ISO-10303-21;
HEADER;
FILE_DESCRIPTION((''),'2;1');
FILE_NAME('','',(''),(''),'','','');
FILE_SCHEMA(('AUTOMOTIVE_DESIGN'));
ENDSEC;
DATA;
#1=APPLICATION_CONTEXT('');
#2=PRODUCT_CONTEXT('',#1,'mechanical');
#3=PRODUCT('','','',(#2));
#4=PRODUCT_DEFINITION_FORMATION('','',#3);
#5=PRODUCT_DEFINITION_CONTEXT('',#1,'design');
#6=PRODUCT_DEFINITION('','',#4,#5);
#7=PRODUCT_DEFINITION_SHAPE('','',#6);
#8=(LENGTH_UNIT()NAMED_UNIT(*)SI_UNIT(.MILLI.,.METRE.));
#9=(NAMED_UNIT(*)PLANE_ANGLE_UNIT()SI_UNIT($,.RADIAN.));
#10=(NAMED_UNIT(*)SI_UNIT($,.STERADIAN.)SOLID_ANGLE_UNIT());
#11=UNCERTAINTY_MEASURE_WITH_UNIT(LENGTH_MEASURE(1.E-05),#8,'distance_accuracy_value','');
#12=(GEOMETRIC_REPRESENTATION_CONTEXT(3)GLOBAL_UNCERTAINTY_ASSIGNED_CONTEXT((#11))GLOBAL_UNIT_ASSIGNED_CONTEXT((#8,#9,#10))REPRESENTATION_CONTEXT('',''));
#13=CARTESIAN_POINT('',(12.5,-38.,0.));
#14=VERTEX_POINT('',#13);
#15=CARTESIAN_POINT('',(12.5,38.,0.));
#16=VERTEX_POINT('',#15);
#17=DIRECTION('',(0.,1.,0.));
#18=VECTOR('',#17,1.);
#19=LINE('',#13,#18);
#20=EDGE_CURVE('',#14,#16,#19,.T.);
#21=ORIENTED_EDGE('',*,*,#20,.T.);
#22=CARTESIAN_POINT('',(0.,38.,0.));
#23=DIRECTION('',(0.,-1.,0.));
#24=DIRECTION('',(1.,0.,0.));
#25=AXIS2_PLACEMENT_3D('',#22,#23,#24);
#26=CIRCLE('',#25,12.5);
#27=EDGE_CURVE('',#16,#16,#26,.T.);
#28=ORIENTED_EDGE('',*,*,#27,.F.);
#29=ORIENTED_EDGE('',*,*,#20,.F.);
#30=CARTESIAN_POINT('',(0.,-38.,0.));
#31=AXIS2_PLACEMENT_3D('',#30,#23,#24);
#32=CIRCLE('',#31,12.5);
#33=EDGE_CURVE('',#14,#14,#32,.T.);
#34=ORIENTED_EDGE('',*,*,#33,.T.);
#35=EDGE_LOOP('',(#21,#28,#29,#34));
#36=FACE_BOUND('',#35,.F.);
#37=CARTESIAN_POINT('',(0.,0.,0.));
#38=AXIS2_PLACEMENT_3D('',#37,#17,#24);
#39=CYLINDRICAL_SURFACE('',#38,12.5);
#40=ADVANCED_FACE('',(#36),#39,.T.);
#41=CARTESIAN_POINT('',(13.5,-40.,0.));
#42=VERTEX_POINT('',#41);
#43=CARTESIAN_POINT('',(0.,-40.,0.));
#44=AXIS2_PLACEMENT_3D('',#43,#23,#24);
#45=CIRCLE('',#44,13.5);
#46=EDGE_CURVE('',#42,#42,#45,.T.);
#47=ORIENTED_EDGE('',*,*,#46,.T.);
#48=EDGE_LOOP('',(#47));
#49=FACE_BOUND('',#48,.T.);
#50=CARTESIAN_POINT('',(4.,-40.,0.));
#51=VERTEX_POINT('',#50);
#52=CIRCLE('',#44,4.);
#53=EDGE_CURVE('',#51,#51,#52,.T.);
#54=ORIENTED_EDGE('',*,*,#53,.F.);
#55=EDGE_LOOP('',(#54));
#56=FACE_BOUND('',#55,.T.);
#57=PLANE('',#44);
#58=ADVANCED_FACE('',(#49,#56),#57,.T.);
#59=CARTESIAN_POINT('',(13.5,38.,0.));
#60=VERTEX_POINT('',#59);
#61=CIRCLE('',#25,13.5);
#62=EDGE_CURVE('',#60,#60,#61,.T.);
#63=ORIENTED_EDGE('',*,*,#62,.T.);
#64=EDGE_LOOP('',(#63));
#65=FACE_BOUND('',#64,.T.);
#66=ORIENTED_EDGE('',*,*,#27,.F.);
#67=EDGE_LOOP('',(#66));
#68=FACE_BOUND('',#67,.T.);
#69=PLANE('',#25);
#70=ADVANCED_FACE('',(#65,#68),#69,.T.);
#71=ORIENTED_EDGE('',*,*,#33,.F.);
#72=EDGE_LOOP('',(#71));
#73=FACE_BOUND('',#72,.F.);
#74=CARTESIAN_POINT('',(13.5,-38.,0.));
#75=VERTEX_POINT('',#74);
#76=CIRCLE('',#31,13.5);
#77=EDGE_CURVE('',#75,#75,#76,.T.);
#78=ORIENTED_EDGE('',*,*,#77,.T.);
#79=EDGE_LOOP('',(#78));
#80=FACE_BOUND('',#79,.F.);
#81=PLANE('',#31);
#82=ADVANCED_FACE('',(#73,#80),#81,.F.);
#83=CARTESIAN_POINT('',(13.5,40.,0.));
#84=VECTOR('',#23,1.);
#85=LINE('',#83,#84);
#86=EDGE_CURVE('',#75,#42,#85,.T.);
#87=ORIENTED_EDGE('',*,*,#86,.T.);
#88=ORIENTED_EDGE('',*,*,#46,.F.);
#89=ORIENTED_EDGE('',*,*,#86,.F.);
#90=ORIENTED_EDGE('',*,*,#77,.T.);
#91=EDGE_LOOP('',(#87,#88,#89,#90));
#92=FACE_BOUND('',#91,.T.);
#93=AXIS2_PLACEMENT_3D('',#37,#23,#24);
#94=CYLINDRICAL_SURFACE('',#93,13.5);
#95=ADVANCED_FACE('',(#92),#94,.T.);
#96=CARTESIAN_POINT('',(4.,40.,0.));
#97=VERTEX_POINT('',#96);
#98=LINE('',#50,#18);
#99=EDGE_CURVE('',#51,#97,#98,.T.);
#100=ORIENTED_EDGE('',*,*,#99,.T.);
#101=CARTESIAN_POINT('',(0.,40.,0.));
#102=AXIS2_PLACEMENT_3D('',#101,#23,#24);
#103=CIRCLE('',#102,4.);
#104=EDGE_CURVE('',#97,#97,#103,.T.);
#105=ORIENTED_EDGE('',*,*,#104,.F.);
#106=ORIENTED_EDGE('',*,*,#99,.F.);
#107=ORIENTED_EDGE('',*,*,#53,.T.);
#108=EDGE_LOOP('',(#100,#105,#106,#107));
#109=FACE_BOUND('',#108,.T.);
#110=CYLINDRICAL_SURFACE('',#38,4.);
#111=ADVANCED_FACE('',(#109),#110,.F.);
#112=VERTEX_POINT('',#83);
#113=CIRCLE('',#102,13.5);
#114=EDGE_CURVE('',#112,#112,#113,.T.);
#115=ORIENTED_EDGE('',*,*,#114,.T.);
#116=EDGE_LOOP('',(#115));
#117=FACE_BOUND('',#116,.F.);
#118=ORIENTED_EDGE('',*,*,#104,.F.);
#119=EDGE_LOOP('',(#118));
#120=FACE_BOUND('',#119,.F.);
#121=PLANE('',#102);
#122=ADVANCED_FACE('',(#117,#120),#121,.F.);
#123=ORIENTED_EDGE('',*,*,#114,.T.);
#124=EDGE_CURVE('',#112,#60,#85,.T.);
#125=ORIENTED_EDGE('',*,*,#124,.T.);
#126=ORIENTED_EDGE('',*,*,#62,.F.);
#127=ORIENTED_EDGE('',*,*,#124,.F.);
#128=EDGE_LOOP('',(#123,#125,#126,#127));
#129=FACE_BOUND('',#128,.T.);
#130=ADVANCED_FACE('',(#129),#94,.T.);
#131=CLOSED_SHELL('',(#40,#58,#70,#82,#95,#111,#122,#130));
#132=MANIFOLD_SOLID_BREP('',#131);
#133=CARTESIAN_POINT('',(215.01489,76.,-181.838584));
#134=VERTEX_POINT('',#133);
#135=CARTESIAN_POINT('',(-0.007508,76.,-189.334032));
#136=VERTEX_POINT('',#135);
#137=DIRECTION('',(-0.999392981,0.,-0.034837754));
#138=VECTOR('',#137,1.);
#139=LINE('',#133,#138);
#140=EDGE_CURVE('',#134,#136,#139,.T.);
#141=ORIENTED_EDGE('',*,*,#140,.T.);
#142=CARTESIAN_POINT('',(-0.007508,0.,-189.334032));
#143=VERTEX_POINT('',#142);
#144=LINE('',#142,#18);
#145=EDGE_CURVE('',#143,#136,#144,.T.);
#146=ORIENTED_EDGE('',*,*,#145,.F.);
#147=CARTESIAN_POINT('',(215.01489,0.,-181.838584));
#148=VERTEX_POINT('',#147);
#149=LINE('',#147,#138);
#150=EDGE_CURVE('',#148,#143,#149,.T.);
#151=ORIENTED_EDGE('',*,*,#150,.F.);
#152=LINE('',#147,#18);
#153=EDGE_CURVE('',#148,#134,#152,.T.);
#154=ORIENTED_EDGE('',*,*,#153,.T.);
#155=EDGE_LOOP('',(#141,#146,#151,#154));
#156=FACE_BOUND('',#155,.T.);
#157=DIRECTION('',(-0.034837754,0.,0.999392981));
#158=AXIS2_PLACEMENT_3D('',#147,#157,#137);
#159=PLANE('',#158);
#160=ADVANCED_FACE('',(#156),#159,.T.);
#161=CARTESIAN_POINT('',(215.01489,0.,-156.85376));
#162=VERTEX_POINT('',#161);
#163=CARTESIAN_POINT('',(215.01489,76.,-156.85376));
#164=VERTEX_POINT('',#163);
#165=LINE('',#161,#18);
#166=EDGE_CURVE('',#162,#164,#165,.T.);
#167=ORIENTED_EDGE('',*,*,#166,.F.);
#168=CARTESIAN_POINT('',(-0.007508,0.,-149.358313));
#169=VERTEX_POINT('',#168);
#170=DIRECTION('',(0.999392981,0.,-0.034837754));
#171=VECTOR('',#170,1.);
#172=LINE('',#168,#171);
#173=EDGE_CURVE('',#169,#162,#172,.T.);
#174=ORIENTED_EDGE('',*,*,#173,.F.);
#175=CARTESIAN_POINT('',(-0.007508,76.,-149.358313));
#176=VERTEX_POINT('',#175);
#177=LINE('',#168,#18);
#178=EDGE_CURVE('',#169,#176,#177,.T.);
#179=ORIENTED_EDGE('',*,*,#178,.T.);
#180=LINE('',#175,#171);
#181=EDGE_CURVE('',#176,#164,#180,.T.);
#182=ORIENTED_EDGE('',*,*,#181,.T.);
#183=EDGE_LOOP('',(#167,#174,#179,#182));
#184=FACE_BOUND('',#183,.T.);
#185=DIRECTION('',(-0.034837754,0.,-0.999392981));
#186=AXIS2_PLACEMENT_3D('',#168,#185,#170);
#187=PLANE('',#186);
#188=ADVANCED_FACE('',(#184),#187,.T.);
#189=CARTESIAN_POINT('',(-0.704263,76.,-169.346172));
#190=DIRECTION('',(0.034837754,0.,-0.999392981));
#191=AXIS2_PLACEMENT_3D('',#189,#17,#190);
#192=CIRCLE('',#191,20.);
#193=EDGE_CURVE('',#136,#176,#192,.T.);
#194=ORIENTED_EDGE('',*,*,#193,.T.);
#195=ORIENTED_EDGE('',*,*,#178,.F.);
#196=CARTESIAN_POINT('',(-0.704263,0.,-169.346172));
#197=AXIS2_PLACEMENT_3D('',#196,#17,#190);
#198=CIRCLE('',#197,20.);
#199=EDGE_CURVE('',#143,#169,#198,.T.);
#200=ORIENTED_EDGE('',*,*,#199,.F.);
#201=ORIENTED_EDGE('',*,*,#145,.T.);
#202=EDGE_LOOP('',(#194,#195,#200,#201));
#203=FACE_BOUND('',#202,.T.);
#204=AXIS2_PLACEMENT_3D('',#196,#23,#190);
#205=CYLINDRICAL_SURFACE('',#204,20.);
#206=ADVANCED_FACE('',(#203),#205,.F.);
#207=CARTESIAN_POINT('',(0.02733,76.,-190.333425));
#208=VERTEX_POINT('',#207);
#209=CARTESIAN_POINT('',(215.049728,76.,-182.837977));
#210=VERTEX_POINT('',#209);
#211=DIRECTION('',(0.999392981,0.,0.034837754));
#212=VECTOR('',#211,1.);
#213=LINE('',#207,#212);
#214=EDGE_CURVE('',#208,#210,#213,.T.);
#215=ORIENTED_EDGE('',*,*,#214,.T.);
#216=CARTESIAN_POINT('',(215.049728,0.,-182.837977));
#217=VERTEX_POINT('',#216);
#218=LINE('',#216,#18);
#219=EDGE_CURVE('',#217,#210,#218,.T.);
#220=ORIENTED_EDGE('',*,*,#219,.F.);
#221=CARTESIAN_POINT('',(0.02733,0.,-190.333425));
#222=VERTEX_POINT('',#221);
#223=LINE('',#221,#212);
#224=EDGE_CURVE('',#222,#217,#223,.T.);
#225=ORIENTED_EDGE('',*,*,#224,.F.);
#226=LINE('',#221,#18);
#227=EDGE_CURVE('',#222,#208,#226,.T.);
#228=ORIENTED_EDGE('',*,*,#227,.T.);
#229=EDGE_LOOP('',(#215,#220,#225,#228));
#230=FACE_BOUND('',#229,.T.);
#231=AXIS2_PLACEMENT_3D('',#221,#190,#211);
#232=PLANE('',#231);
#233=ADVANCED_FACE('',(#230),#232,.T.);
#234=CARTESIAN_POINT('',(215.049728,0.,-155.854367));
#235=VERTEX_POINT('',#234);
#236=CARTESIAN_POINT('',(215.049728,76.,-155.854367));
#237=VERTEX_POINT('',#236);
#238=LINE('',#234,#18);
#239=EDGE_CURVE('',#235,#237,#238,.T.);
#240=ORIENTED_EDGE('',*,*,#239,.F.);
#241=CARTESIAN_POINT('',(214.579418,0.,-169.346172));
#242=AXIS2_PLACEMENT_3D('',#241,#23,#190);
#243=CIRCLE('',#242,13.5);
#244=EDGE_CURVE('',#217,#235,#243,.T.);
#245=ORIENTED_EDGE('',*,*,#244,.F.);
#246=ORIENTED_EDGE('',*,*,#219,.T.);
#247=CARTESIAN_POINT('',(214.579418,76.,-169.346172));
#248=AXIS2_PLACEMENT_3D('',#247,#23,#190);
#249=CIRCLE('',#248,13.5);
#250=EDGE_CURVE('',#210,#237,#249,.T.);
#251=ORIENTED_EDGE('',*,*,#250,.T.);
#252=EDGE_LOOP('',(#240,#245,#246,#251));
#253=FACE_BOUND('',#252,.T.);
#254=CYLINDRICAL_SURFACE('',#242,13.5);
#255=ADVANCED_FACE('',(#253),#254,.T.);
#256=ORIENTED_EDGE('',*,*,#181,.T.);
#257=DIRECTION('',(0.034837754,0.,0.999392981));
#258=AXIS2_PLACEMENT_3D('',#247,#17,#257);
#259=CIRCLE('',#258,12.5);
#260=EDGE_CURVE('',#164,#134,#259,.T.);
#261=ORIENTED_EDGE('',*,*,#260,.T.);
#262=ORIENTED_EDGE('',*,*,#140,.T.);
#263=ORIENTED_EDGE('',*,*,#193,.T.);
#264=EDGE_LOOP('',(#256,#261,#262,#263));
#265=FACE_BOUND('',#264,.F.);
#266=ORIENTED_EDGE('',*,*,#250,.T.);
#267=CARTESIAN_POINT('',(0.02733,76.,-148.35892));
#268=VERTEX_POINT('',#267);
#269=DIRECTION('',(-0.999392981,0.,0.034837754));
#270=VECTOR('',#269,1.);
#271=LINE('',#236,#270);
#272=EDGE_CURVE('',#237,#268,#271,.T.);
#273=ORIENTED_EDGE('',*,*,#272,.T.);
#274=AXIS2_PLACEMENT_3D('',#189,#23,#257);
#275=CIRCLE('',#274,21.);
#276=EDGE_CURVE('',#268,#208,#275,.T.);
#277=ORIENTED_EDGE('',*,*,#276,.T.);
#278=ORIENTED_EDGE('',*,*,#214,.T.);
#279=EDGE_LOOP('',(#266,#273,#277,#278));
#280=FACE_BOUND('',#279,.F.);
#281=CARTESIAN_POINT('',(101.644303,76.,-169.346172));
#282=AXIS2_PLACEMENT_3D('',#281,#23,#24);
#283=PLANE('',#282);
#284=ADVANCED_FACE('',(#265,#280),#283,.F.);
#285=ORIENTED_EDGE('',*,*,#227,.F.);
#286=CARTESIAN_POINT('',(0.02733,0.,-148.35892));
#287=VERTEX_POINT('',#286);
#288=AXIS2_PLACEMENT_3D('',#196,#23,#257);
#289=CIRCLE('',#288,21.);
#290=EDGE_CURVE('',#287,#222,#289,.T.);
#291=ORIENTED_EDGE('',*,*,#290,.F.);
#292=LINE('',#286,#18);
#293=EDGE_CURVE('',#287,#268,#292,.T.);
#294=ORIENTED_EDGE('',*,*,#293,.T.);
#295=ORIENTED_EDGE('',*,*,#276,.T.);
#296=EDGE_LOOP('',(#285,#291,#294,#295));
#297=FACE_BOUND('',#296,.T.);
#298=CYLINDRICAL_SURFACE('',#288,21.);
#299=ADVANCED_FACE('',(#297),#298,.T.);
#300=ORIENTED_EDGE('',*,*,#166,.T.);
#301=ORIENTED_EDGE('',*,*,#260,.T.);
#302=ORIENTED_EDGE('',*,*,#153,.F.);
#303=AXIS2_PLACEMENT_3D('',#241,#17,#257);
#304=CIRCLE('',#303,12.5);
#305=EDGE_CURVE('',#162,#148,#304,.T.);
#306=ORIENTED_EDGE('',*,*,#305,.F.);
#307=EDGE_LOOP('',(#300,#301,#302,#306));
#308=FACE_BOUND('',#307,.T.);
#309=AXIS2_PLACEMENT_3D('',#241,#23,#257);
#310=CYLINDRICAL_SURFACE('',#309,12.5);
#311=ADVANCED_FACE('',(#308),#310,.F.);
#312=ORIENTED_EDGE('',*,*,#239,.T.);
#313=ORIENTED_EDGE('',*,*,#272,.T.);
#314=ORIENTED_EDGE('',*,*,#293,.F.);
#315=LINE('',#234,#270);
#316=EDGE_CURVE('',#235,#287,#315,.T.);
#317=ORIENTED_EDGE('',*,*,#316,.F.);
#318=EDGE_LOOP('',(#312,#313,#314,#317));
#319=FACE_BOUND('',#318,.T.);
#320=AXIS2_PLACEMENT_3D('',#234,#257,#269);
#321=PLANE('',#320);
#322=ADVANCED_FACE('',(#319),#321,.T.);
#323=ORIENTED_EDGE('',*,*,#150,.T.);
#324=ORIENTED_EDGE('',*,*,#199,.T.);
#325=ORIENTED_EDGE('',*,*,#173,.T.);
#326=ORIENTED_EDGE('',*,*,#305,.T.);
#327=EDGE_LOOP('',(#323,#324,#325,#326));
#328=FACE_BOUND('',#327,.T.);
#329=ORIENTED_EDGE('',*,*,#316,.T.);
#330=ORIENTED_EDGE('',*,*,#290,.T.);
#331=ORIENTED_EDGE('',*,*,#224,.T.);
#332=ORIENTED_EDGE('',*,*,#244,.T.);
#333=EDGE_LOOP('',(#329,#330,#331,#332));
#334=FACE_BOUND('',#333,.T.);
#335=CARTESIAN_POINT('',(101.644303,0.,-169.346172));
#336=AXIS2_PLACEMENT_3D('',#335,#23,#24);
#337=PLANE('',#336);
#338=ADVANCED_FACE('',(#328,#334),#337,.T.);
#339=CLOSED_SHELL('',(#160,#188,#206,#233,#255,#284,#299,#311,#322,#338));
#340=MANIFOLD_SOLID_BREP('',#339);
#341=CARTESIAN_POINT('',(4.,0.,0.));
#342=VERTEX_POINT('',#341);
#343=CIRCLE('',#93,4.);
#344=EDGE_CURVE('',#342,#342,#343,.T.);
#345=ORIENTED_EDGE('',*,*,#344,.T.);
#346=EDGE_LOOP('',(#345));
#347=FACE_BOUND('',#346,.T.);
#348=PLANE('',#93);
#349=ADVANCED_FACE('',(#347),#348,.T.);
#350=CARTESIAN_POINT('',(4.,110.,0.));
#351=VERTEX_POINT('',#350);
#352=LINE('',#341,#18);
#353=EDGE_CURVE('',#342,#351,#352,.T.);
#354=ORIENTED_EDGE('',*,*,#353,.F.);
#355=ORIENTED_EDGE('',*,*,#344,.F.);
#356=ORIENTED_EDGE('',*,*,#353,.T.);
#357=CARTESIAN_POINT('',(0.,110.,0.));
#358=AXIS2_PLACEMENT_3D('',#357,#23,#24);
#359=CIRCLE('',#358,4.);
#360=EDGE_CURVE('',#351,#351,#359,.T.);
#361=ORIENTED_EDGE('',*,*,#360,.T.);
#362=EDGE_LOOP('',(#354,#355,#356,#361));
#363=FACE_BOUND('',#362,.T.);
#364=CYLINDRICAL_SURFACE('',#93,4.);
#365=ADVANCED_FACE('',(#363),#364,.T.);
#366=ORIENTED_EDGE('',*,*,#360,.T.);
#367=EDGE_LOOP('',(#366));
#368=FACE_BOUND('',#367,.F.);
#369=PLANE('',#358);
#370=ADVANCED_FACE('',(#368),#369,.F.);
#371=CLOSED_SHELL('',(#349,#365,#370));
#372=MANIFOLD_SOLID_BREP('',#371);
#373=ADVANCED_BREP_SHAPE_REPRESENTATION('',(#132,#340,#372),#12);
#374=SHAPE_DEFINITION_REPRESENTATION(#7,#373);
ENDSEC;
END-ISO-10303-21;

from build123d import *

# Parameters (mm, degrees)
F0_R     = 13.5
F0_R_2   = 12.5
F0_R_3   = 4
F1_DEPTH = 40
F2_DEPTH = 38
F3_DEPTH = 76
F4_DEPTH = 110


with BuildPart() as f1:
    # F0 (on Front) → F1 (new body, symmetric)
    with BuildSketch(Plane.XZ):
        Circle(F0_R)
        Circle(F0_R_2, mode=Mode.SUBTRACT)
        Circle(F0_R_2)
        Circle(F0_R_3, mode=Mode.SUBTRACT)
    extrude(amount=F1_DEPTH, both=True)

    # F0 (on Front) → F2 (cut, symmetric)
    with BuildSketch(Plane.XZ):
        Circle(F0_R)
        Circle(F0_R_2, mode=Mode.SUBTRACT)
    extrude(amount=F2_DEPTH, both=True, mode=Mode.SUBTRACT)


with BuildPart() as f3:
    # F0 (on Front) → F3 (new body)
    with BuildSketch(Plane.XZ):
        with BuildLine():
            Line((215.049728069, -155.8543669152), (0.0273299848, -148.3589195562))
            ThreePointArc((0.0273299848, -148.3589195562), (-21.7042628563, -169.3461721614), (0.0273299848, -190.3334247667))
            Line((0.0273299848, -190.3334247667), (215.049728069, -182.8379774077))
            ThreePointArc((215.049728069, -182.8379774077), (228.0794183855, -169.3461721614), (215.049728069, -155.8543669152))
        make_face()
        with BuildLine():
            ThreePointArc((-0.0075077695, -189.3340317855), (-20.7042628563, -169.3461721614), (-0.0075077695, -149.3583125374))
            Line((-0.0075077695, -149.3583125374), (215.0148903147, -156.8537598964))
            ThreePointArc((215.0148903147, -156.8537598964), (227.0794183855, -169.3461721614), (215.0148903147, -181.8385844265))
            Line((215.0148903147, -181.8385844265), (-0.0075077695, -189.3340317855))
        make_face(mode=Mode.SUBTRACT)
    extrude(amount=-F3_DEPTH)


with BuildPart() as f4:
    # F0 (on Front) → F4 (new body)
    with BuildSketch(Plane.XZ):
        Circle(F0_R_3)
    extrude(amount=-F4_DEPTH)


solid = Compound([f1.part, f3.part, f4.part])
